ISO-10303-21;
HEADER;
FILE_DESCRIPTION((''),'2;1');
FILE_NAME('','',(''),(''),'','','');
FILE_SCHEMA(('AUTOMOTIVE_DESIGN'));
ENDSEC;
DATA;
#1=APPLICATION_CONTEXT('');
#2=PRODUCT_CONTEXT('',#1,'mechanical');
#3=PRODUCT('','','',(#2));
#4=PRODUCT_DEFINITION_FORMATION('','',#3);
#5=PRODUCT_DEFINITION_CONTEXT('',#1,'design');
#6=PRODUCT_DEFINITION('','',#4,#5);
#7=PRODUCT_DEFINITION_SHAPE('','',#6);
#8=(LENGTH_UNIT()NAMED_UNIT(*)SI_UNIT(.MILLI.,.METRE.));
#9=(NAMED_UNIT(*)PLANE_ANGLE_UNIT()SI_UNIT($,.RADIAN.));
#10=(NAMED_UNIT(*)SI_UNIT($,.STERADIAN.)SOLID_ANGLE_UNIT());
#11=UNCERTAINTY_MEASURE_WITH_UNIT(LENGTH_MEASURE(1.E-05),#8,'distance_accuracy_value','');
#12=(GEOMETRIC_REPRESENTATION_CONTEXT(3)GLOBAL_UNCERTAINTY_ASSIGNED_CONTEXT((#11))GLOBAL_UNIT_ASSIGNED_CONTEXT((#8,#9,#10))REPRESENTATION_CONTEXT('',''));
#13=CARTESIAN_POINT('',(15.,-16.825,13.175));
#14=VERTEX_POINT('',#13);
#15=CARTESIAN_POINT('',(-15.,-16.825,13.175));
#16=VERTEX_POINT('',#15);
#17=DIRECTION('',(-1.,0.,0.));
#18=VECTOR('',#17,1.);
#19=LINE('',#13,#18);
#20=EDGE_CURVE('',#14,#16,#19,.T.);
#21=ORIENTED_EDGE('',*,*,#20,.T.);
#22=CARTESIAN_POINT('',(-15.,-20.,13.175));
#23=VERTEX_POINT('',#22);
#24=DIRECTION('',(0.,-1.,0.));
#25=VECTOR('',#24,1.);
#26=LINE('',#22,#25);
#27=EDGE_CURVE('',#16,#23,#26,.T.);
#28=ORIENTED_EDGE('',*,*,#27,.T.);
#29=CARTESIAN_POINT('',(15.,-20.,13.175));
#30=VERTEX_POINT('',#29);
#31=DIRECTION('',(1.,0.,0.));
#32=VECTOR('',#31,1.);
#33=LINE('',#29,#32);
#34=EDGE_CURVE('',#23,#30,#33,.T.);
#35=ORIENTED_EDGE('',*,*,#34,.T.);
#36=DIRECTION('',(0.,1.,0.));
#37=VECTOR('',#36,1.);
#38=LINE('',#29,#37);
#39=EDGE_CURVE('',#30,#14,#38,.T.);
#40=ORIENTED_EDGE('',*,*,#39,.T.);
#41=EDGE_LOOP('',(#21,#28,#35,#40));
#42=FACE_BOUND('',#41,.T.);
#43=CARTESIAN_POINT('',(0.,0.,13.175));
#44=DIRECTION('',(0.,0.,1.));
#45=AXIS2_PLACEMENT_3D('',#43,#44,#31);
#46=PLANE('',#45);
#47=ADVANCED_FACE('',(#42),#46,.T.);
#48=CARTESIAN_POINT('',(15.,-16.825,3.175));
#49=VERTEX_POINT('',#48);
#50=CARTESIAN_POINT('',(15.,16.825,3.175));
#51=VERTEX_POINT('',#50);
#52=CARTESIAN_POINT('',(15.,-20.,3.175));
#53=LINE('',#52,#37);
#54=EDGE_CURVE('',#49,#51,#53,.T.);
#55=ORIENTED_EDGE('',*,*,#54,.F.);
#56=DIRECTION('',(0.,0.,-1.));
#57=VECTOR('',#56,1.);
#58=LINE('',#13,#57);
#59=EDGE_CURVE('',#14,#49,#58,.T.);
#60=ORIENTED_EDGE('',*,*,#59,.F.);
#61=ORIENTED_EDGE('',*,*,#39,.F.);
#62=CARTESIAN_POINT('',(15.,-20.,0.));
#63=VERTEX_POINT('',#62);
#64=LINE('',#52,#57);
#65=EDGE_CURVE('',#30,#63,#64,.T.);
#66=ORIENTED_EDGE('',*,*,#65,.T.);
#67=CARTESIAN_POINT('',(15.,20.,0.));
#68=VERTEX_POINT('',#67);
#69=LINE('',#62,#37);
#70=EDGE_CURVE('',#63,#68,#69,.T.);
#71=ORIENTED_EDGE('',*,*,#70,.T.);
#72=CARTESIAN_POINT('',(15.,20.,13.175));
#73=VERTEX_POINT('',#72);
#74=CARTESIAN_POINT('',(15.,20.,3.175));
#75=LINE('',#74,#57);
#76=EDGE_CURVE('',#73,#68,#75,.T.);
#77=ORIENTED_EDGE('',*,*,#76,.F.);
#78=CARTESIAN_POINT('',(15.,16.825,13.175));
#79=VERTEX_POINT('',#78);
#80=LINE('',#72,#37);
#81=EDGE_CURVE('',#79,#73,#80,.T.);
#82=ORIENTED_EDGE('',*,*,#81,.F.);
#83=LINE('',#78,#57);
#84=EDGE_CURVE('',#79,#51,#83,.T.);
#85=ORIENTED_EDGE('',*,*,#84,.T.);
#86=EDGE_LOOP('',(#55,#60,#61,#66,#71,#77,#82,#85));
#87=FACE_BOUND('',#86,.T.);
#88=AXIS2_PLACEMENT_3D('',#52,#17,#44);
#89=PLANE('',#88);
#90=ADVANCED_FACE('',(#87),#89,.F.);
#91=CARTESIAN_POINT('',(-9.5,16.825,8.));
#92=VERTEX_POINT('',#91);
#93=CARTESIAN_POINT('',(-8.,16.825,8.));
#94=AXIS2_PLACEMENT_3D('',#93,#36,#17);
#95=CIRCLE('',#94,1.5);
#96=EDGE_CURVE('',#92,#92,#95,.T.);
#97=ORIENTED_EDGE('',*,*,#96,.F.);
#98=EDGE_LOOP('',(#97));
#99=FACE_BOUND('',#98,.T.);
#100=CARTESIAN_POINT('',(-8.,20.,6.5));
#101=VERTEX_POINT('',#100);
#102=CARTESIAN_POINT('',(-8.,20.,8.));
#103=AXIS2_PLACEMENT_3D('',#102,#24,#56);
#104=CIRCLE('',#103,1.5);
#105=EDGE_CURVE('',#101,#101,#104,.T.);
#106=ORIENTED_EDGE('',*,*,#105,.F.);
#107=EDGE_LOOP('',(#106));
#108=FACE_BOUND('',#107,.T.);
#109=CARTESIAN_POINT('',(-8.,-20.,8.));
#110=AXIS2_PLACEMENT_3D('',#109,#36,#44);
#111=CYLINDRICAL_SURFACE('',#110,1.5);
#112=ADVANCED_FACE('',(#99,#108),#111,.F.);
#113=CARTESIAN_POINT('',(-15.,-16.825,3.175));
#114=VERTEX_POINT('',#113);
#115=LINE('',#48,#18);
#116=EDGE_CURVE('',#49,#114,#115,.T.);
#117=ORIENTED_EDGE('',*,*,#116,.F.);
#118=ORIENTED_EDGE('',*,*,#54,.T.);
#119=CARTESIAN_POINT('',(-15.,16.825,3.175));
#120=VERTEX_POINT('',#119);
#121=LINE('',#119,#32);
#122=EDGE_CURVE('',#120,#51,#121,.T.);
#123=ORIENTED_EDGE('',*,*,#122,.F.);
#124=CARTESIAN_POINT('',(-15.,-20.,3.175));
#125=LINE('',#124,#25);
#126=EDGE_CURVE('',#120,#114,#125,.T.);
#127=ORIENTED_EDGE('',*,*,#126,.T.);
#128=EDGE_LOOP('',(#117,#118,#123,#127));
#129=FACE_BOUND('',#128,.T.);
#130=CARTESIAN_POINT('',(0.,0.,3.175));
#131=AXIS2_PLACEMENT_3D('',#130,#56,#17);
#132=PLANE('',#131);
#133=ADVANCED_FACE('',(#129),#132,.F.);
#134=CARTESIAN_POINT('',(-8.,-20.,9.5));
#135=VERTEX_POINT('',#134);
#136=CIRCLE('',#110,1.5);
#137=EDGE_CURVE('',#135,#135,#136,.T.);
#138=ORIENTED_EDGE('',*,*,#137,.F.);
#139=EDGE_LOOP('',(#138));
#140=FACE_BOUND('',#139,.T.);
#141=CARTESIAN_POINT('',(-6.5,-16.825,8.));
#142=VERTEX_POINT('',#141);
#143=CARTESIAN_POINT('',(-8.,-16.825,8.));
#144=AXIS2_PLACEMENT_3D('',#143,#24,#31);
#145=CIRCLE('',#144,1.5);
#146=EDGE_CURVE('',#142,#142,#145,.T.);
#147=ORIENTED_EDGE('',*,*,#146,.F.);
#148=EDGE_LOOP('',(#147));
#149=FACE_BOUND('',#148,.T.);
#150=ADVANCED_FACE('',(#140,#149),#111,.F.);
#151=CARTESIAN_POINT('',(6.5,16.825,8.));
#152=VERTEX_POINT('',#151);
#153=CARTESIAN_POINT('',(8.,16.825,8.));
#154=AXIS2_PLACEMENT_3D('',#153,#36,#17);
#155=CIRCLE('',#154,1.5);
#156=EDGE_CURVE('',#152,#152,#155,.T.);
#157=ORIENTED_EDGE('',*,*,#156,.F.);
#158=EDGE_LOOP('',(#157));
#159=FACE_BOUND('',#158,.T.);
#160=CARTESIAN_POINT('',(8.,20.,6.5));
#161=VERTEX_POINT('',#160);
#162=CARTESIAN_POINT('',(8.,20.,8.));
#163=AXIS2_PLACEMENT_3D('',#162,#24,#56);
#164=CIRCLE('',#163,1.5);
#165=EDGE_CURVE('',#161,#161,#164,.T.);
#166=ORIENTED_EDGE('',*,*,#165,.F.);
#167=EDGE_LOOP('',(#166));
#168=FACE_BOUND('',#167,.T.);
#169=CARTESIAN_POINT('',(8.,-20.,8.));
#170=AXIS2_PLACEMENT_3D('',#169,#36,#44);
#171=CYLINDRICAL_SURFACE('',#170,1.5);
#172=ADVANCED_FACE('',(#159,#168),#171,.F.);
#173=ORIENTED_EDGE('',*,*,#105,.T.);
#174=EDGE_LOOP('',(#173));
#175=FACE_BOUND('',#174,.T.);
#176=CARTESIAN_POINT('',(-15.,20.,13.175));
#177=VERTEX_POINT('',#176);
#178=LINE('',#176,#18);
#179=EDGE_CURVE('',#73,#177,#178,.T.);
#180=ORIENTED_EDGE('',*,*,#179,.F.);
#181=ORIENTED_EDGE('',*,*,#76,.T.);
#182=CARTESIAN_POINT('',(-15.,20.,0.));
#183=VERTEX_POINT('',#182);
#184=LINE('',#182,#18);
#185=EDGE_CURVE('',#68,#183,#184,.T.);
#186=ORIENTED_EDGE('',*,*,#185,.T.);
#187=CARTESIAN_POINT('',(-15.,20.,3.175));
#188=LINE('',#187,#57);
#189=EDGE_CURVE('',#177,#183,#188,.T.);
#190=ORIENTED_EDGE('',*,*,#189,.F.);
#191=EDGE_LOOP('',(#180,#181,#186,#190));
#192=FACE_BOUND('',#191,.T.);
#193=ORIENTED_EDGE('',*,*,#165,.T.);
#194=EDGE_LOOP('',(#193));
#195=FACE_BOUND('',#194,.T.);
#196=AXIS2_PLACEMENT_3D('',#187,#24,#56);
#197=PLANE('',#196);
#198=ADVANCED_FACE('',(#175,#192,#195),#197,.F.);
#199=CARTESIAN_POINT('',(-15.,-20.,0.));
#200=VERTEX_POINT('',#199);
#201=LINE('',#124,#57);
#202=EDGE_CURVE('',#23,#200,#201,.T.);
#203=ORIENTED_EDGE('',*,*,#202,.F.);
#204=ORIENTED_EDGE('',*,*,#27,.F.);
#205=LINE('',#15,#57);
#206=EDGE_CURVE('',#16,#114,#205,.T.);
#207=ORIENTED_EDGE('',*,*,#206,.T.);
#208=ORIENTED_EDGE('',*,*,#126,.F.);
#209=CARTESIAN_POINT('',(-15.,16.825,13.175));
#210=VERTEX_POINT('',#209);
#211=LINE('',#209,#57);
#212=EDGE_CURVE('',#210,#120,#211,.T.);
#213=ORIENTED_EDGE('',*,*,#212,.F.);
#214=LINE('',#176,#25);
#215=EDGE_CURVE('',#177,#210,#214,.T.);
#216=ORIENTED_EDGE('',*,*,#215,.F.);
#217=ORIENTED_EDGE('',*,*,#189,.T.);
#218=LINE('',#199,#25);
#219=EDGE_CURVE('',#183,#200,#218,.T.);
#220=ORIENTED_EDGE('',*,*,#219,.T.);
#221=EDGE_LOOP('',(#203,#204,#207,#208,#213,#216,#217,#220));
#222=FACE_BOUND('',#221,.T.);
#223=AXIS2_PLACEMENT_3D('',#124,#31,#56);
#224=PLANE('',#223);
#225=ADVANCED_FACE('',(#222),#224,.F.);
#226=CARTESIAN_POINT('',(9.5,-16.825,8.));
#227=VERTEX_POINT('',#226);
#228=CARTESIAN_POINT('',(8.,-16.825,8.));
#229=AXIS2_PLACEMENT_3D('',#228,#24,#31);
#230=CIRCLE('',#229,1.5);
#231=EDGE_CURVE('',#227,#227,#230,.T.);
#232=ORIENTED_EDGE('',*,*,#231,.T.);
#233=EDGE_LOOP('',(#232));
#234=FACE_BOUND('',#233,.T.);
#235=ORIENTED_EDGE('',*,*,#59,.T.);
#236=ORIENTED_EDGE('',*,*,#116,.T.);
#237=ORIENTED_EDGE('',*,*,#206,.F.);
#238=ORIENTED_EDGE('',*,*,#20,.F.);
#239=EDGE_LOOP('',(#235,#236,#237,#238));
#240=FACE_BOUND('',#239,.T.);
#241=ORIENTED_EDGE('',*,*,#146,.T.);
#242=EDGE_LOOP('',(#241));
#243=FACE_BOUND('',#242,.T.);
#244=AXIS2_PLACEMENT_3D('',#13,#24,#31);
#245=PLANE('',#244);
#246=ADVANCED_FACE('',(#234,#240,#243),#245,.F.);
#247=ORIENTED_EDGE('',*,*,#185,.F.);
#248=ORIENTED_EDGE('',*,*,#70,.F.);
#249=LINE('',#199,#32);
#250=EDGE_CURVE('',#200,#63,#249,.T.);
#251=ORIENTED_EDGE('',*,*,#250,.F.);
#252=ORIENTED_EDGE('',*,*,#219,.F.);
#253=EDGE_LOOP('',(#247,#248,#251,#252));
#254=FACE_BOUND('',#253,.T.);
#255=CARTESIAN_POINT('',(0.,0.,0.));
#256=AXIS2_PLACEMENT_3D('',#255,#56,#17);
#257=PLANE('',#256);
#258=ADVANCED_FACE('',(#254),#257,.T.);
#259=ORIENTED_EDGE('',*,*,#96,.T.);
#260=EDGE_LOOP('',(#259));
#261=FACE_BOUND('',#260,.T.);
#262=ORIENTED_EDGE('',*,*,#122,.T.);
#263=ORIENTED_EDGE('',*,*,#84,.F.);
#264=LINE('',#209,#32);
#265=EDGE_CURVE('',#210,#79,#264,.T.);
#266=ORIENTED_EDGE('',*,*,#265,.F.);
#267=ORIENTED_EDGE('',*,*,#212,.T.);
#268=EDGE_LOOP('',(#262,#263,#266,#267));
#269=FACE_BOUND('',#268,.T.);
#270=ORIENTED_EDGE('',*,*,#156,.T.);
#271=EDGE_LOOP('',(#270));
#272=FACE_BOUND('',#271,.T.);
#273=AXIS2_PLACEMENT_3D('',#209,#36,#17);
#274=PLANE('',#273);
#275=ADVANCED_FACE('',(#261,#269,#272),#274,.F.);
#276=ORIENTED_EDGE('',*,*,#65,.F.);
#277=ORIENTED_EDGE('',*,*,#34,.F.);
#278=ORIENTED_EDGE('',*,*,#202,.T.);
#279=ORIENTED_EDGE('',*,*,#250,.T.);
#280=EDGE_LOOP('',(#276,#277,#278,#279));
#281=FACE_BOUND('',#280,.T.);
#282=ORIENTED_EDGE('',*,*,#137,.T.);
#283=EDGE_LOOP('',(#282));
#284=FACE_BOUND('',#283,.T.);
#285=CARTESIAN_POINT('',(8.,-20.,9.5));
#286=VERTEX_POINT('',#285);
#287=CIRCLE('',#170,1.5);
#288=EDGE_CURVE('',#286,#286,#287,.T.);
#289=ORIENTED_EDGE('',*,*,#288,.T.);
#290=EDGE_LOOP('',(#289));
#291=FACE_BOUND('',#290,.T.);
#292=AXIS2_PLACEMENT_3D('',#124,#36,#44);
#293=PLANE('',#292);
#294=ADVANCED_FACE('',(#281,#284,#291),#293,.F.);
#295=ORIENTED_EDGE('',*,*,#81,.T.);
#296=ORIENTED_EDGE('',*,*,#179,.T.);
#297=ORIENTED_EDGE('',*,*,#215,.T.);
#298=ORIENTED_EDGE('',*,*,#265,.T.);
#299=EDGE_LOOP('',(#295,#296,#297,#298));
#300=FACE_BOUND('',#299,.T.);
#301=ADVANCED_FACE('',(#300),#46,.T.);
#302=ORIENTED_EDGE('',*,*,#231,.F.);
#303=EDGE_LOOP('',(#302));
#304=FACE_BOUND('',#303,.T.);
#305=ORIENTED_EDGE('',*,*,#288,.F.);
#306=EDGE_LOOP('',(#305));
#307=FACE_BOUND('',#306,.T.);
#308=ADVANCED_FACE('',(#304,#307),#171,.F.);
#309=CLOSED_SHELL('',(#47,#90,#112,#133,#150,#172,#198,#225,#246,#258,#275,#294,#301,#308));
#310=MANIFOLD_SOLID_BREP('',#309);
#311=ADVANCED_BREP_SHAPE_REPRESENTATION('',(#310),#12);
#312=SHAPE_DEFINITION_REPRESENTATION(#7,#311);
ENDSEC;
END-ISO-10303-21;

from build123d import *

# Parameters (mm, degrees)
SKETCH1_W               = 30
SKETCH1_H               = 40
BOSS_EXTRUDE1_DEPTH     = 3.175
SKETCH3_W               = 30
SKETCH3_H               = 3.175
BOSS_EXTRUDE2_DEPTH     = 10
CUT_EXTRUDE1_DEPTH      = 45.705487639
CUT_EXTRUDE1_DEPTH_BACK = 45.705487639
SKETCH4_R               = 1.5


with BuildPart() as part:
    # Sketch1 → Boss-Extrude1 (new body)
    with BuildSketch(Plane.XY):
        Rectangle(SKETCH1_W, SKETCH1_H)
    extrude(amount=BOSS_EXTRUDE1_DEPTH)

    # Sketch3 → Boss-Extrude2 (add)
    with BuildSketch(Plane.XY.offset(3.175)):
        with Locations((0, 18.4125)):
            Rectangle(SKETCH3_W, SKETCH3_H)
        with Locations((0, -18.4125)):
            Rectangle(SKETCH3_W, SKETCH3_H)
    extrude(amount=BOSS_EXTRUDE2_DEPTH)

    # Sketch4 → Cut-Extrude1 (cut, two sides: drawn at the far end of the back side and taken through both)
    with BuildSketch(Plane(origin=(0, 20, 0), x_dir=(1, 0, 0), z_dir=(0, 1, 0)).offset(-CUT_EXTRUDE1_DEPTH_BACK)):
        with Locations(Location((-8, -8, 0), (0, 0, 270))):
            Circle(SKETCH4_R)
        with Locations(Location((8, -8, 0), (0, 0, 270))):
            Circle(SKETCH4_R)
    extrude(amount=CUT_EXTRUDE1_DEPTH + CUT_EXTRUDE1_DEPTH_BACK, mode=Mode.SUBTRACT)


solid = part.part
